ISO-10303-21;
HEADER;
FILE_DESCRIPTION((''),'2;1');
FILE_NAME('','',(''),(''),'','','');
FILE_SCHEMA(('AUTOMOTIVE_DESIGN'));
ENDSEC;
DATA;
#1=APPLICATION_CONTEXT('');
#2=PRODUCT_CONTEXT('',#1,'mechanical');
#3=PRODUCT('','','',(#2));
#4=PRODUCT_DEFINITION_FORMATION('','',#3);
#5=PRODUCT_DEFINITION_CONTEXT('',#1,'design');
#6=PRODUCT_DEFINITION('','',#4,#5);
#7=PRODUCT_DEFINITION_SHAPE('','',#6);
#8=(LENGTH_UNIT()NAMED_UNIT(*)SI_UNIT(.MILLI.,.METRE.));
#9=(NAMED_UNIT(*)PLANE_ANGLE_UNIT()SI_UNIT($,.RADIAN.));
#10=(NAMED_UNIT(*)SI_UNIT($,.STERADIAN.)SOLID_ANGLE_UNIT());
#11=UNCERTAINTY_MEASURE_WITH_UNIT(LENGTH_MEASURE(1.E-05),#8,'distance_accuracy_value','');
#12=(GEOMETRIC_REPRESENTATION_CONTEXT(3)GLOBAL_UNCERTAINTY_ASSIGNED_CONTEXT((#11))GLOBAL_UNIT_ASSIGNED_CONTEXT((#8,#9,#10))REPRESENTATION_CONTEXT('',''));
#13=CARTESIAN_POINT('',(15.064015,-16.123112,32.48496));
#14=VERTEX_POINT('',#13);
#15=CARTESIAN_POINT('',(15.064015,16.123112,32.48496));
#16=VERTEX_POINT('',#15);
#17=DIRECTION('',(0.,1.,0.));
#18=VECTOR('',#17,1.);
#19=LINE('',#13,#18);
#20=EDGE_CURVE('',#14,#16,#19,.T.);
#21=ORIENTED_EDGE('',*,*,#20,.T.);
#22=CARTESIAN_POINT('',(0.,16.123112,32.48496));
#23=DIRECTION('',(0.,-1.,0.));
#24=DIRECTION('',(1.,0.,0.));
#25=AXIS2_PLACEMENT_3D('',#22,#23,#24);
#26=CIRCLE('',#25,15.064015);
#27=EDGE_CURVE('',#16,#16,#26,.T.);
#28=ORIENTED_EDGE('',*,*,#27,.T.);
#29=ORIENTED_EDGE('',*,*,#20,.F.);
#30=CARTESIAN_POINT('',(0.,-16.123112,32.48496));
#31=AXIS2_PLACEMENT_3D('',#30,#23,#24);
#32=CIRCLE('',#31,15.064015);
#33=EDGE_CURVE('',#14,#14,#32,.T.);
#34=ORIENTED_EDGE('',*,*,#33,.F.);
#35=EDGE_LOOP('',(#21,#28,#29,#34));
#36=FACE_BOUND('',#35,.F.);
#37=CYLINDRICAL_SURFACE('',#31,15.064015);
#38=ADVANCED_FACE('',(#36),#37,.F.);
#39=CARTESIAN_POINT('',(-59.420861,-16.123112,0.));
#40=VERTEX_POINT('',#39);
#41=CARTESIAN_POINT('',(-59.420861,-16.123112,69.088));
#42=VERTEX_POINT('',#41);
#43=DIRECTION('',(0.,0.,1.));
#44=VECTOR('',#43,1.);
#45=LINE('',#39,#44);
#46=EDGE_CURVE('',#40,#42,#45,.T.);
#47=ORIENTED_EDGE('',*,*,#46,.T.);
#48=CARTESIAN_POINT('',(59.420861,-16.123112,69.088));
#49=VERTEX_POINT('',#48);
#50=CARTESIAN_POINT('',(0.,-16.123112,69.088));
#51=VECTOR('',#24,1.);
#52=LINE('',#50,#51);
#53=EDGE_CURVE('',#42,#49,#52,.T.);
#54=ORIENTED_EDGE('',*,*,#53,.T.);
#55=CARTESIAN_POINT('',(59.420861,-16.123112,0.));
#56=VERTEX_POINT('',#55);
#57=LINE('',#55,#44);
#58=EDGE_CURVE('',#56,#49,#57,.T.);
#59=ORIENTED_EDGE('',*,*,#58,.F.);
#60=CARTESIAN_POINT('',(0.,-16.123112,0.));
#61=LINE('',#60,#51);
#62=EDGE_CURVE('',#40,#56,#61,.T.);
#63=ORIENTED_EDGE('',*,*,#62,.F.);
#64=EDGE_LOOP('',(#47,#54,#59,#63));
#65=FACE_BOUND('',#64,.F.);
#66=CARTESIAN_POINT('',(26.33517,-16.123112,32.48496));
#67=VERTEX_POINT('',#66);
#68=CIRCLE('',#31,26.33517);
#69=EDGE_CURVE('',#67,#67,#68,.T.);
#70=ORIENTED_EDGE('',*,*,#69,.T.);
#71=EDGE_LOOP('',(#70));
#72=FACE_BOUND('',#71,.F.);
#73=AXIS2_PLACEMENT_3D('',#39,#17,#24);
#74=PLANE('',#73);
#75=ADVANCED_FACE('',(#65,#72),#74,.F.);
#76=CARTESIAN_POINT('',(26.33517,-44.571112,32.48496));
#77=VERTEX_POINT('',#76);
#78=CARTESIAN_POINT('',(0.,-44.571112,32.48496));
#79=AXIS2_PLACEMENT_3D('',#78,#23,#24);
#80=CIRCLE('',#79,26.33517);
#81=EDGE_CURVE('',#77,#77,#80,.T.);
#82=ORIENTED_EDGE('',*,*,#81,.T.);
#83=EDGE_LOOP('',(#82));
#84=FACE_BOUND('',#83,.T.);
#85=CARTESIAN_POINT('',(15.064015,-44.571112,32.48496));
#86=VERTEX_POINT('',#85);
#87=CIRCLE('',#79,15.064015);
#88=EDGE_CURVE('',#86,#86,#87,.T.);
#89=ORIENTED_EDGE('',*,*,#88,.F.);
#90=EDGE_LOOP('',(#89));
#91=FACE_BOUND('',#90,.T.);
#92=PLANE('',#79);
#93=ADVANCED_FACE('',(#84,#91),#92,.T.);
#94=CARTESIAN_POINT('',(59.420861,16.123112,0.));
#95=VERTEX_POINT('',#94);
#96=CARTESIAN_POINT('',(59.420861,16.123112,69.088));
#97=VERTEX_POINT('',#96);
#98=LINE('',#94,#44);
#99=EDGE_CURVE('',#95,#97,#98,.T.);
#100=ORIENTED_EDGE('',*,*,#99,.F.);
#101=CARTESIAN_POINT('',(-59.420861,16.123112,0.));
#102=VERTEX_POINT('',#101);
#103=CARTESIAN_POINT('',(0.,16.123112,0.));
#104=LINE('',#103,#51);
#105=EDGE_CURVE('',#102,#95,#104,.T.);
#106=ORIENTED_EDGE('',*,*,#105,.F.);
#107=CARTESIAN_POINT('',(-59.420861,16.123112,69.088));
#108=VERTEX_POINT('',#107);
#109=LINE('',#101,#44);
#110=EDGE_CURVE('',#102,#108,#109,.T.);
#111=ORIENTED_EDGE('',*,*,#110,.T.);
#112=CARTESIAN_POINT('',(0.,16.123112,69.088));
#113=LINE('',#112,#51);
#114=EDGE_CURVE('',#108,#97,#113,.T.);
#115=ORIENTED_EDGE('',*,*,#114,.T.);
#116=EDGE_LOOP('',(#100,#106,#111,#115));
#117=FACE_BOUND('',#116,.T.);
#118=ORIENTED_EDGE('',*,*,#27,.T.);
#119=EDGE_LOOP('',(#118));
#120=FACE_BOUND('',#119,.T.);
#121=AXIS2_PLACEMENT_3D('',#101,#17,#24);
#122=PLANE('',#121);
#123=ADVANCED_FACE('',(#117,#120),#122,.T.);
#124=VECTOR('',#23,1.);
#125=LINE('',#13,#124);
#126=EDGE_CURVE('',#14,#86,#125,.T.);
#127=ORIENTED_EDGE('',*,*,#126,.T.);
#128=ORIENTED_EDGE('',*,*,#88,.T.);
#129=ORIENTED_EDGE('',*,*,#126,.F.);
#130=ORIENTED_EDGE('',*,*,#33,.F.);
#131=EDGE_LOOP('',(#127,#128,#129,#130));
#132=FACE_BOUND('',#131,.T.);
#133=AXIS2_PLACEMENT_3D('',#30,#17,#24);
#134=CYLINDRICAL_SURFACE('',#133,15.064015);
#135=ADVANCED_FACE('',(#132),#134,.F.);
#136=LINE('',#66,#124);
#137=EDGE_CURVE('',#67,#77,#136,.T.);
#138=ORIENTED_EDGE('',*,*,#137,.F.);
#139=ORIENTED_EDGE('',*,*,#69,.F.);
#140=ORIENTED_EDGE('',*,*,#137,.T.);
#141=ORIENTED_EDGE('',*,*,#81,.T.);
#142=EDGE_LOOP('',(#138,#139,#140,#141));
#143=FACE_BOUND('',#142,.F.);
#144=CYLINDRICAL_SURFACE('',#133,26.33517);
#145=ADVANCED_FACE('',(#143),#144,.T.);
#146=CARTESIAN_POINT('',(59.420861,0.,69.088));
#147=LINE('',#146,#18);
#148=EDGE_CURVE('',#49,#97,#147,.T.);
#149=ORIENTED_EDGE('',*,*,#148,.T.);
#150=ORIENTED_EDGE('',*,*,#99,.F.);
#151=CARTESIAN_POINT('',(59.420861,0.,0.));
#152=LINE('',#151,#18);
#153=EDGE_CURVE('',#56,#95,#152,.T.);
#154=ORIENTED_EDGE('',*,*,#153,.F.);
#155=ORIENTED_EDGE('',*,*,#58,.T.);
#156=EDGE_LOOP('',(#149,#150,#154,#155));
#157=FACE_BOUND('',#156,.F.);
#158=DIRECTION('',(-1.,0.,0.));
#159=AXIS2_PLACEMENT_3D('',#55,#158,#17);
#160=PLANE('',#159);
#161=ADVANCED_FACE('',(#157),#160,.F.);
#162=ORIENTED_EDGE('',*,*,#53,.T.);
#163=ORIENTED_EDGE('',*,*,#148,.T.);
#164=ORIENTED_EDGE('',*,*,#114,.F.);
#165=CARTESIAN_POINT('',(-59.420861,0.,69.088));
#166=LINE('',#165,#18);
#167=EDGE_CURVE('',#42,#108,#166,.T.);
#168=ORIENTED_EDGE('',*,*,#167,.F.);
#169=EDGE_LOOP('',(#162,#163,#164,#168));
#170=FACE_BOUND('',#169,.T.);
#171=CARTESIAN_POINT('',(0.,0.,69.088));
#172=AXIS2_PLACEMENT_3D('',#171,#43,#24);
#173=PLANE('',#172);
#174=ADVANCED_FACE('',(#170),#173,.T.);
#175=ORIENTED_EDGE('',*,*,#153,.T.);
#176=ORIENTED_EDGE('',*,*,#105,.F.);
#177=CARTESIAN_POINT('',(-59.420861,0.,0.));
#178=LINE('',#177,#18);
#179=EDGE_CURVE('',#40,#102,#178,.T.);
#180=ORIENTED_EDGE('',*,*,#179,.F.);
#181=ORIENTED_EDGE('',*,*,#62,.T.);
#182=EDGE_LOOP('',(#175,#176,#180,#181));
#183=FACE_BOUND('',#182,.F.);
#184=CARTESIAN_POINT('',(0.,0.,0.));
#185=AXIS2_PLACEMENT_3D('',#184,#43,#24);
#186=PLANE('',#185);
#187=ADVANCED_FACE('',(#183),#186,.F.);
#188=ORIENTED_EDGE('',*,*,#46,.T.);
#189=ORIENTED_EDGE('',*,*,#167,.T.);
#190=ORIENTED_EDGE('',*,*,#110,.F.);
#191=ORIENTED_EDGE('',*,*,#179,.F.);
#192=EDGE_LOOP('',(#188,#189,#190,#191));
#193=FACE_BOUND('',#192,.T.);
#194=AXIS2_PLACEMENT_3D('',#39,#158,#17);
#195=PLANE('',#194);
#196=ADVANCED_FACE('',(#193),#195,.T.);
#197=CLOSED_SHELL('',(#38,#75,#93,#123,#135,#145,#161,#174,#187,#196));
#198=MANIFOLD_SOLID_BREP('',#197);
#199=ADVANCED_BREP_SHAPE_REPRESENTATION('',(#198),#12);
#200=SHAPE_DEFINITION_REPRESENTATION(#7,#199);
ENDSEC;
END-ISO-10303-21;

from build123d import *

# Parameters (mm, degrees)
F0_W     = 118.841722
F0_H     = 32.246224
F1_DEPTH = 69.088
F2_R     = 15.064015
F3_DEPTH = 104.648
F2_R_2   = 26.33517
F4_DEPTH = 28.448


with BuildPart() as f1:
    # F0 (on Top) → F1 (new body)
    with BuildSketch(Plane.XY):
        Rectangle(F0_W, F0_H)
    extrude(amount=F1_DEPTH)

    # F2 (on face) → F3 (cut)
    with BuildSketch(Plane.XZ.offset(16.123112)):
        with Locations((0, 32.48496)):
            Circle(F2_R)
    extrude(amount=-F3_DEPTH, mode=Mode.SUBTRACT)

    # F2 (on face) → F4 (join)
    with BuildSketch(Plane.XZ.offset(16.123112)):
        with Locations((0, 32.48496)):
            Circle(F2_R_2)
        with Locations((0, 32.48496)):
            Circle(F2_R, mode=Mode.SUBTRACT)
    extrude(amount=F4_DEPTH)


solid = f1.part
